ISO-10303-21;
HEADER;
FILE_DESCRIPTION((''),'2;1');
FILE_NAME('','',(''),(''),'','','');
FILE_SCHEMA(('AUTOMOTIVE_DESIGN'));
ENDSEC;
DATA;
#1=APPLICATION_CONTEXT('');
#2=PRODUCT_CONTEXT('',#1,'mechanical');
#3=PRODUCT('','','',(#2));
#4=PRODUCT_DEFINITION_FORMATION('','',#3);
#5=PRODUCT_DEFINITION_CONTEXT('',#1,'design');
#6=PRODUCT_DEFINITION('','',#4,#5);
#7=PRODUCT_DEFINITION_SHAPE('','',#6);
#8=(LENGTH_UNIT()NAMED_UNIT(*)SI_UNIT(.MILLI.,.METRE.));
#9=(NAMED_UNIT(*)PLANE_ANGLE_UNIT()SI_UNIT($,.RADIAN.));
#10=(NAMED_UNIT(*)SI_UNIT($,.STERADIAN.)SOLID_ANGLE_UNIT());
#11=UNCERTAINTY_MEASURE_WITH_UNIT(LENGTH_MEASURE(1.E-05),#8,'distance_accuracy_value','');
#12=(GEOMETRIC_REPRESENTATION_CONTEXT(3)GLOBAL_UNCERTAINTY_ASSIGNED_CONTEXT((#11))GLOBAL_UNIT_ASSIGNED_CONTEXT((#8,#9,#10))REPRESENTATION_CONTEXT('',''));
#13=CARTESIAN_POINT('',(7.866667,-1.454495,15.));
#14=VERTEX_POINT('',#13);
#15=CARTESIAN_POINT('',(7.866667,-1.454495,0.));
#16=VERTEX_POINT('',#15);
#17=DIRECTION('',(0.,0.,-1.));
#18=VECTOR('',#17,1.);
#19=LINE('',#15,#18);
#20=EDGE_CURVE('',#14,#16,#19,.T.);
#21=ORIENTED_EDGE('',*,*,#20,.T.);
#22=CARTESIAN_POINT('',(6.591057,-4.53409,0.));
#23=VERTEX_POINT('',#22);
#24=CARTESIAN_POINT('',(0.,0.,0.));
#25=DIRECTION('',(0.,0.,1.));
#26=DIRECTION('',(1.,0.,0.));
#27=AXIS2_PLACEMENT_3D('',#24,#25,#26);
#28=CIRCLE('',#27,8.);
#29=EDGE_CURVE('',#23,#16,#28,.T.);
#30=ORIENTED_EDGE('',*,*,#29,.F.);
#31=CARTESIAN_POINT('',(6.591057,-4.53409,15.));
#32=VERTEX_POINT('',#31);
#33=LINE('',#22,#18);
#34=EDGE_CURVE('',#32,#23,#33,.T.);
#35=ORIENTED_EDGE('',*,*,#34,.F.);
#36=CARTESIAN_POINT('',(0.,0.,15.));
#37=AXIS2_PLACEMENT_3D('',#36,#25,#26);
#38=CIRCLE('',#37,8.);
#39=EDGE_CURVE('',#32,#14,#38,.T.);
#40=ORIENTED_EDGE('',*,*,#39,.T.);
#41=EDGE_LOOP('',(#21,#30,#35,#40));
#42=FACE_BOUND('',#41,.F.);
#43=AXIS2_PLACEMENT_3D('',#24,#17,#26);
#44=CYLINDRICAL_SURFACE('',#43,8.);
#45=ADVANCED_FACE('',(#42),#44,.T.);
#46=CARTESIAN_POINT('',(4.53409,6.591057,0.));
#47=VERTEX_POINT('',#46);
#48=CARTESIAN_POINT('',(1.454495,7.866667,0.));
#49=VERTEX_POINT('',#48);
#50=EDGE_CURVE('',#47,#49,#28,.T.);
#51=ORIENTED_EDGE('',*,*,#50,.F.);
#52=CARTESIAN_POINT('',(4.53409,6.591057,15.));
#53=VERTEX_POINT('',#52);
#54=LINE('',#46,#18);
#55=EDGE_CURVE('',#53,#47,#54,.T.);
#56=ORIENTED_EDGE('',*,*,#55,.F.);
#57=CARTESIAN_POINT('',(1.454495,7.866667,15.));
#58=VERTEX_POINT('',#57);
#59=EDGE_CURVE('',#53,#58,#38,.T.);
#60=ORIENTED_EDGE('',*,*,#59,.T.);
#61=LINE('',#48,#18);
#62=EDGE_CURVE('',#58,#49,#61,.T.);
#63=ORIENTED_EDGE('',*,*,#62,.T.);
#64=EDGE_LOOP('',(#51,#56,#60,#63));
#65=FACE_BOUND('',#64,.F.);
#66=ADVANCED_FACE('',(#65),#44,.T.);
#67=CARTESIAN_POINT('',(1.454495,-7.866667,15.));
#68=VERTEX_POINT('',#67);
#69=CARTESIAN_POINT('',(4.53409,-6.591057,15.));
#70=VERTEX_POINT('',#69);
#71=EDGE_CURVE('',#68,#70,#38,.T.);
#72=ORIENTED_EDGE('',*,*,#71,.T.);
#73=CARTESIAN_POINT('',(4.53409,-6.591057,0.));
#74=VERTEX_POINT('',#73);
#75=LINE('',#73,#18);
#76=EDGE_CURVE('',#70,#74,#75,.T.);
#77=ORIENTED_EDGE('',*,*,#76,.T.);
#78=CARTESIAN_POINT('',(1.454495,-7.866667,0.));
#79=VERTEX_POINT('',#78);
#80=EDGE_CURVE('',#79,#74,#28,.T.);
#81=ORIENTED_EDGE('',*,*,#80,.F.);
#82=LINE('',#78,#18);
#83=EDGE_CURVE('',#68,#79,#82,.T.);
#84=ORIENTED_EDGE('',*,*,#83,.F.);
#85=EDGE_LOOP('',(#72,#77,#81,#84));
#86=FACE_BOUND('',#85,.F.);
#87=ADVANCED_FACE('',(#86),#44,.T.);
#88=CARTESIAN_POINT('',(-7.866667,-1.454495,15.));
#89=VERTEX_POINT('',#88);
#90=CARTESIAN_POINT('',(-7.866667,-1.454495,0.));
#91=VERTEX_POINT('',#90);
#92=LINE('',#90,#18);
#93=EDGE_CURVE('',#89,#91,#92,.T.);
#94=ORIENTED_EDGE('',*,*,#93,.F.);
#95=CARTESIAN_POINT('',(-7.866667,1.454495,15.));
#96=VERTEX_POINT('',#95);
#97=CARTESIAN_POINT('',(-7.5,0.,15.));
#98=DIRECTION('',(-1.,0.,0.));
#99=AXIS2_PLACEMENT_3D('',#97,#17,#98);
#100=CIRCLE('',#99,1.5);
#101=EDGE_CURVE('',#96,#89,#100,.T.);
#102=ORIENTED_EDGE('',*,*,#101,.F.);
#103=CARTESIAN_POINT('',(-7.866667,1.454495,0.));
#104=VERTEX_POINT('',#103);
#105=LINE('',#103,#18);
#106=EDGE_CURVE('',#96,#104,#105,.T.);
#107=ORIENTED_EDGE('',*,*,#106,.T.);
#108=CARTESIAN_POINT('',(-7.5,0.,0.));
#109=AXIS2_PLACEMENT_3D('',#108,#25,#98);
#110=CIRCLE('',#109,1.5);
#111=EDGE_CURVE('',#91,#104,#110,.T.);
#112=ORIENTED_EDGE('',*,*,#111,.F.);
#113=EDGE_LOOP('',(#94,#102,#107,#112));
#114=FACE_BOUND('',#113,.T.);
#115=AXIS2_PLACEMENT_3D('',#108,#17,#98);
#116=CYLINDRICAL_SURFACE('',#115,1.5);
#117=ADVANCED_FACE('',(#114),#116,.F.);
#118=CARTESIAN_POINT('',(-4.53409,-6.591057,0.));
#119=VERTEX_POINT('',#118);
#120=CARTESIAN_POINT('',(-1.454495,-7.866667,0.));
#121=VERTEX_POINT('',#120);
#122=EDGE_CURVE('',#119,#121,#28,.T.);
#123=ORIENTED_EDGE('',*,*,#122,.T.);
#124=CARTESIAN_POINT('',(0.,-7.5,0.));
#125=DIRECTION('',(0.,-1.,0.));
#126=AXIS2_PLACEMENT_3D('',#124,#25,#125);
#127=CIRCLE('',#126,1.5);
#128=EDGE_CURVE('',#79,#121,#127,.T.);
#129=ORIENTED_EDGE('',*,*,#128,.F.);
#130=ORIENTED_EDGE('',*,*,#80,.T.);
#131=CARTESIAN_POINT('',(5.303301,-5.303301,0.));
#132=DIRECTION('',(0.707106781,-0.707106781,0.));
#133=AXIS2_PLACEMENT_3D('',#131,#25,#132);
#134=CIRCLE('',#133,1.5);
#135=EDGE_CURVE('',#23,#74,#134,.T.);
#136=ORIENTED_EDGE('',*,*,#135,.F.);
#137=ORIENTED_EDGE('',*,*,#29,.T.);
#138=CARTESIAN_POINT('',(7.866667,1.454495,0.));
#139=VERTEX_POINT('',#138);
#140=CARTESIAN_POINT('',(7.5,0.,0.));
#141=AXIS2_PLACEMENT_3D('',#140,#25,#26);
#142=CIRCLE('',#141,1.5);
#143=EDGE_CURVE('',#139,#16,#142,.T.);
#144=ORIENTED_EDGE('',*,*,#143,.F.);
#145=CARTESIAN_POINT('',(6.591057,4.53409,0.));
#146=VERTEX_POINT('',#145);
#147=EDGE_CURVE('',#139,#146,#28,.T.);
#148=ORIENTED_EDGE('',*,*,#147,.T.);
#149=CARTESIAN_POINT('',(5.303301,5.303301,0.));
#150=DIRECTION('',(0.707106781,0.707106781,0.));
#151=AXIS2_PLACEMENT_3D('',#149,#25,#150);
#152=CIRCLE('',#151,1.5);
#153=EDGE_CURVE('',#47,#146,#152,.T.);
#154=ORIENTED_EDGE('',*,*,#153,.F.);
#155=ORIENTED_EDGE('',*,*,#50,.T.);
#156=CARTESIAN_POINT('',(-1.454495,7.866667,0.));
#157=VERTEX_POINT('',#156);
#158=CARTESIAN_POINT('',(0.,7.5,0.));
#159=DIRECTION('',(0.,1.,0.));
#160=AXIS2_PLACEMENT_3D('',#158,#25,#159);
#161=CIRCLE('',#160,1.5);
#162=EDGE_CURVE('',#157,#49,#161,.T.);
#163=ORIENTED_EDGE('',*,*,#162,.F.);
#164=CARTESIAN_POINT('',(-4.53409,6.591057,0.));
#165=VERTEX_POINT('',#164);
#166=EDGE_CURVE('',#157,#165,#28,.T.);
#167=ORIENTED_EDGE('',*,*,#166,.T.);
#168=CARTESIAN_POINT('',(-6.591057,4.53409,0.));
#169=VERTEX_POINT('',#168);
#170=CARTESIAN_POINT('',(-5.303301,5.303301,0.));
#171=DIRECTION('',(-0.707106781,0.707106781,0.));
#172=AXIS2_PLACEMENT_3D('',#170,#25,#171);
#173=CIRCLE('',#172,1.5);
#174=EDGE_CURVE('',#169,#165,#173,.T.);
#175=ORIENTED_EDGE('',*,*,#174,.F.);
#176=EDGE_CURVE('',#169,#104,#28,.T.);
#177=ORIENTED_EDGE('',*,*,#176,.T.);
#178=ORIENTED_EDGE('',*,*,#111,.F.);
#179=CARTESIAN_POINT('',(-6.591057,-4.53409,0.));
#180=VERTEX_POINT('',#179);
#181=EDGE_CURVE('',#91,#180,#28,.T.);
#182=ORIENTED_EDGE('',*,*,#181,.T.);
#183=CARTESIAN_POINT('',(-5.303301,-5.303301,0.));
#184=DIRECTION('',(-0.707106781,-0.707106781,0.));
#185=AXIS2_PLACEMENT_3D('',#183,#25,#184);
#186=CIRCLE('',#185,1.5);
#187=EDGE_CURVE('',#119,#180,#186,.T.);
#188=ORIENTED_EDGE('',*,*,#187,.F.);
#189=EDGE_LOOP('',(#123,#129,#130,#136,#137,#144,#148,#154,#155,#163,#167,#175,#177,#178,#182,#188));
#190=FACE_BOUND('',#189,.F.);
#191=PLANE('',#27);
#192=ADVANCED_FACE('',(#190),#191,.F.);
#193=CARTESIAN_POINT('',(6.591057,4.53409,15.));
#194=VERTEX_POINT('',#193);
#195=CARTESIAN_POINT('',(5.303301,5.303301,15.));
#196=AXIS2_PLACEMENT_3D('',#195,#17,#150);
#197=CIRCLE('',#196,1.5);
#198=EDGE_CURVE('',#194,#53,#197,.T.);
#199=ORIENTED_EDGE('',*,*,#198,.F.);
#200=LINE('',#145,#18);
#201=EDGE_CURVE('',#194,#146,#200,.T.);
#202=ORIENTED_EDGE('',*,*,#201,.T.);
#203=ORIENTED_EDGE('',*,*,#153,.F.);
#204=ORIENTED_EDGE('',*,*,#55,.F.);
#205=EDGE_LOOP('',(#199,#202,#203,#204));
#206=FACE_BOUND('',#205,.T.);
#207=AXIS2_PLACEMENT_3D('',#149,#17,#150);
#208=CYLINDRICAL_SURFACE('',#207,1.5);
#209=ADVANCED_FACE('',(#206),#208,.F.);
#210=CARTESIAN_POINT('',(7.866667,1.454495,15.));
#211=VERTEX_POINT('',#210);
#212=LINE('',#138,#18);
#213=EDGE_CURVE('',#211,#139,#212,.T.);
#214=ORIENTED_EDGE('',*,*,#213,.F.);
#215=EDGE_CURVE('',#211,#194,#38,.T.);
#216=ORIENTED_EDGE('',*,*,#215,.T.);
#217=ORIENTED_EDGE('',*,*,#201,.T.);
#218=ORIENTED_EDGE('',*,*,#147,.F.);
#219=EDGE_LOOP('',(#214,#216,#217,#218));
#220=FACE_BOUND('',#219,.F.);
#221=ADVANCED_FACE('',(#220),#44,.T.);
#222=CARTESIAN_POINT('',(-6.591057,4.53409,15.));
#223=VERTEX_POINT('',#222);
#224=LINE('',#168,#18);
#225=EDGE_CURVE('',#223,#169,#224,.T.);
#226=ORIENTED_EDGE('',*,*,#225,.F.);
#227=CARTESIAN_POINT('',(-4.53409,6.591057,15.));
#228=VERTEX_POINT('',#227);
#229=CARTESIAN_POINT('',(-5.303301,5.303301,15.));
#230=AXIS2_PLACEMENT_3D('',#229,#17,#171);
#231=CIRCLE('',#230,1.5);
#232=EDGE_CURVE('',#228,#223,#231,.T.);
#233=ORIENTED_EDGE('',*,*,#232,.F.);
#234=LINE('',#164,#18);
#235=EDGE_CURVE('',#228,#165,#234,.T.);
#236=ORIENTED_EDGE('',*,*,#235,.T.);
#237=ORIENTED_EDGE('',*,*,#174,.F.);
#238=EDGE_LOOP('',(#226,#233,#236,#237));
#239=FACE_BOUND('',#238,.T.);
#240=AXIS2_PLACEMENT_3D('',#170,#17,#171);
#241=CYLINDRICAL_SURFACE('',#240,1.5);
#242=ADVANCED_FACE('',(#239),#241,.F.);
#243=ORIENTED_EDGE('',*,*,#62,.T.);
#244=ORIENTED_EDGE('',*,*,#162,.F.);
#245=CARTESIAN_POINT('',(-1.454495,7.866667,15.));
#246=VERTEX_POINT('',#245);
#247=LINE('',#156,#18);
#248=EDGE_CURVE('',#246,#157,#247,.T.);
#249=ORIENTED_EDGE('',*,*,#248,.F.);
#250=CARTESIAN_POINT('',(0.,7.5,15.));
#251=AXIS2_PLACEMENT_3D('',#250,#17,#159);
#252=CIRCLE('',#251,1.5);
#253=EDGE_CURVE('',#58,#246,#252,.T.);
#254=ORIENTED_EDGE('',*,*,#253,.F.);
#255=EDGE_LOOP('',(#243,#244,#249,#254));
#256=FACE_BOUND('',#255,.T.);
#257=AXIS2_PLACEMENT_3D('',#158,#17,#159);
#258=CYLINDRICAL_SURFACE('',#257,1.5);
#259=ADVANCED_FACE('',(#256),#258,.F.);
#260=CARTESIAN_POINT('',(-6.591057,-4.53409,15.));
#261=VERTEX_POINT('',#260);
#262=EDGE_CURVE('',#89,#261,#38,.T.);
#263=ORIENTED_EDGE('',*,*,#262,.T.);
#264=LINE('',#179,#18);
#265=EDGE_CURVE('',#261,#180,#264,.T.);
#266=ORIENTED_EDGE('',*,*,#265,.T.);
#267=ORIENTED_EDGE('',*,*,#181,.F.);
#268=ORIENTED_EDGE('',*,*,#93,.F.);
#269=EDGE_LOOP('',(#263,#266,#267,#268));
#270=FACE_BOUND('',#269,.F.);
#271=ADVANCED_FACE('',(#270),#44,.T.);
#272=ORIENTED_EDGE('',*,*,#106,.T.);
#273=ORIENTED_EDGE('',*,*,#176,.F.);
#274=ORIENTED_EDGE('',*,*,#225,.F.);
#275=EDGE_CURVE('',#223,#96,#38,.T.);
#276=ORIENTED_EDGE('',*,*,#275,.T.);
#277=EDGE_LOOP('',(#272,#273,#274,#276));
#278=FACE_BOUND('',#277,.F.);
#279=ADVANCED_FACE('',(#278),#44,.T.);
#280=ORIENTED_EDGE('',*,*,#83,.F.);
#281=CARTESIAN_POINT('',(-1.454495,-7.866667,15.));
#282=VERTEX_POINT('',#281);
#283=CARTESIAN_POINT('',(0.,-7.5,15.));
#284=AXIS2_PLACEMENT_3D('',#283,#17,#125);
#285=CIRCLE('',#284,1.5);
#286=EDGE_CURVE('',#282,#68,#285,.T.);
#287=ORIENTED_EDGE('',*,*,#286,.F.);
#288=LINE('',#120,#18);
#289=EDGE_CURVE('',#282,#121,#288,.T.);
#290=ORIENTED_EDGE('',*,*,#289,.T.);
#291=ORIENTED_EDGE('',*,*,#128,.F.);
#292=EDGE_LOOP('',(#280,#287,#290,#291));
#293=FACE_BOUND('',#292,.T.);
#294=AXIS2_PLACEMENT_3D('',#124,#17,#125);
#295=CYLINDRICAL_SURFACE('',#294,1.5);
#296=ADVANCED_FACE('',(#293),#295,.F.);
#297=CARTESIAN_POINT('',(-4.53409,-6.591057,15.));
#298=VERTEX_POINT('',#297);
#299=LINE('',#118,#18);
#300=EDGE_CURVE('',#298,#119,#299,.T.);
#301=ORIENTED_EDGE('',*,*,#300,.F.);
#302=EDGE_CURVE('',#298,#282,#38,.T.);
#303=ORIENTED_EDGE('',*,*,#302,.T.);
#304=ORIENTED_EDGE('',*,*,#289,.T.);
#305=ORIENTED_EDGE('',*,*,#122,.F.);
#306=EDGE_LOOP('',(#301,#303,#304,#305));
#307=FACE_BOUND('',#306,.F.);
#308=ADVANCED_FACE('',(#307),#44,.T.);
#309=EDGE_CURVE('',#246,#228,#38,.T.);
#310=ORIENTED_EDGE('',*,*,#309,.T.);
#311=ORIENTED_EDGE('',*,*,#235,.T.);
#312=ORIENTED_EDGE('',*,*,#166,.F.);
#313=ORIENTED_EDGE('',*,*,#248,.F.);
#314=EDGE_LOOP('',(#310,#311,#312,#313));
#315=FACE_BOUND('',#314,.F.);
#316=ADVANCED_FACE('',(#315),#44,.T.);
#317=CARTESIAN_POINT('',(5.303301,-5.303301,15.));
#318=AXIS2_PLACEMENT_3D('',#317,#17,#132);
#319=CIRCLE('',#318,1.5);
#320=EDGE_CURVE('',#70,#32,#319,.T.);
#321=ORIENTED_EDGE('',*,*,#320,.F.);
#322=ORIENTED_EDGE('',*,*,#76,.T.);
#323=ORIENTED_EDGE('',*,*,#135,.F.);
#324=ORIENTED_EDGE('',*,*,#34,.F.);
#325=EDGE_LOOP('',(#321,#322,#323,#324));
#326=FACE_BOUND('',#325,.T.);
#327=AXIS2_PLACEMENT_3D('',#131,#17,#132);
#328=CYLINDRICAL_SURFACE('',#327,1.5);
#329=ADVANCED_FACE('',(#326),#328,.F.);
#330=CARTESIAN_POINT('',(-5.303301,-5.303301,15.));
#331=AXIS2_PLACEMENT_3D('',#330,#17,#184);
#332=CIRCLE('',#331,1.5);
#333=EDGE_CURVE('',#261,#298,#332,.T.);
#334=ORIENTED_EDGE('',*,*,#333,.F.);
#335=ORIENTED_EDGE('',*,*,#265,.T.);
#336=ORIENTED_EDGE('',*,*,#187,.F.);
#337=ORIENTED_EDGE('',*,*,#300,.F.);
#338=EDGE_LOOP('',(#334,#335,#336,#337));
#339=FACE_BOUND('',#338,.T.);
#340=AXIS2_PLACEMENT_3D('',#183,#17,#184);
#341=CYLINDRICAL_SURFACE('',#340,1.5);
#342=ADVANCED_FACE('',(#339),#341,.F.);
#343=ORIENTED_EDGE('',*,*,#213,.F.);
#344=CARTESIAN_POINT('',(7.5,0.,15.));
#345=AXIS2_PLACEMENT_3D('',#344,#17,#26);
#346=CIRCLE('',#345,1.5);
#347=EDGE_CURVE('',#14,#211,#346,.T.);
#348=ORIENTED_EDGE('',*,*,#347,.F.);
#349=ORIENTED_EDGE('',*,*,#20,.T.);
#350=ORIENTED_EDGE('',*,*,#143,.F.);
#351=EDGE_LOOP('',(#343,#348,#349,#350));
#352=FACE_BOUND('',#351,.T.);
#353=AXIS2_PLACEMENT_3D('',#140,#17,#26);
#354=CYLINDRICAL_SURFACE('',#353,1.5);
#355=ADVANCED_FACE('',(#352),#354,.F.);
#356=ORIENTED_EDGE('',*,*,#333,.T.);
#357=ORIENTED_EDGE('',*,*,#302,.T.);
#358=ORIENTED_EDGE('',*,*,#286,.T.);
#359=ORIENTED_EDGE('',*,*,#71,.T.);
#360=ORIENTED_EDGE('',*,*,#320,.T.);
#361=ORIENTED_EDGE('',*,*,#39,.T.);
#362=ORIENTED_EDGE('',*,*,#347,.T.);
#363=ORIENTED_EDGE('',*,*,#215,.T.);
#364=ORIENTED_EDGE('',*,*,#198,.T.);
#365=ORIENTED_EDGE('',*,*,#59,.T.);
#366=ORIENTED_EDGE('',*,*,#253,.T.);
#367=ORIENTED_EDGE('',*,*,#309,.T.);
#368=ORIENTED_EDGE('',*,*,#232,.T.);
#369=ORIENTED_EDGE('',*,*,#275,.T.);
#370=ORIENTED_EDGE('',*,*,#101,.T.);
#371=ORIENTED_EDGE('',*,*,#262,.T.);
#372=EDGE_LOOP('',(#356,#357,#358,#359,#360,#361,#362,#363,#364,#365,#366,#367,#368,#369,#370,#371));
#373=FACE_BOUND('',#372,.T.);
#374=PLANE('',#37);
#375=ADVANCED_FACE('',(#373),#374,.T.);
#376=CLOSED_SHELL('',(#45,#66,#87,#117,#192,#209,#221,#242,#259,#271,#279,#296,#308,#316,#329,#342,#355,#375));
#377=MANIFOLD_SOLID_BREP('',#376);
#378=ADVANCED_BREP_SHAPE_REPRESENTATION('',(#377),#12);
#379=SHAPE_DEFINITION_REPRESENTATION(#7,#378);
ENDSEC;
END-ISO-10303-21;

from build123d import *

# Parameters (mm, degrees)
CYLINDER001_R     = 1.5
CYLINDER001_DEPTH = 30
ARRAY_COUNT       = 8
CYLINDER_R        = 8
CYLINDER_DEPTH    = 15


with BuildPart() as array:
    # Cylinder001 → Cylinder001 (new body)
    with BuildSketch(Plane(origin=(7.5, 0, 0), x_dir=(1, 0, 0), z_dir=(0, 0, 1))):
        Circle(CYLINDER001_R)
    extrude(amount=CYLINDER001_DEPTH)

    # Array: Array ×8 about axis
    array_axis = Axis((0, 0, 0), (0, 0, 1))


with BuildPart() as array_1:
    add(array.part)
    for i in range(1, ARRAY_COUNT):
        add(array.part.rotate(array_axis, i * 360 / ARRAY_COUNT))


with BuildPart() as cut:
    # Cylinder → Cylinder (new body)
    with BuildSketch(Plane.XY):
        Circle(CYLINDER_R)
    extrude(amount=CYLINDER_DEPTH)

    # Cut: cut Array
    add(array_1.part, mode=Mode.SUBTRACT)


solid = cut.part
